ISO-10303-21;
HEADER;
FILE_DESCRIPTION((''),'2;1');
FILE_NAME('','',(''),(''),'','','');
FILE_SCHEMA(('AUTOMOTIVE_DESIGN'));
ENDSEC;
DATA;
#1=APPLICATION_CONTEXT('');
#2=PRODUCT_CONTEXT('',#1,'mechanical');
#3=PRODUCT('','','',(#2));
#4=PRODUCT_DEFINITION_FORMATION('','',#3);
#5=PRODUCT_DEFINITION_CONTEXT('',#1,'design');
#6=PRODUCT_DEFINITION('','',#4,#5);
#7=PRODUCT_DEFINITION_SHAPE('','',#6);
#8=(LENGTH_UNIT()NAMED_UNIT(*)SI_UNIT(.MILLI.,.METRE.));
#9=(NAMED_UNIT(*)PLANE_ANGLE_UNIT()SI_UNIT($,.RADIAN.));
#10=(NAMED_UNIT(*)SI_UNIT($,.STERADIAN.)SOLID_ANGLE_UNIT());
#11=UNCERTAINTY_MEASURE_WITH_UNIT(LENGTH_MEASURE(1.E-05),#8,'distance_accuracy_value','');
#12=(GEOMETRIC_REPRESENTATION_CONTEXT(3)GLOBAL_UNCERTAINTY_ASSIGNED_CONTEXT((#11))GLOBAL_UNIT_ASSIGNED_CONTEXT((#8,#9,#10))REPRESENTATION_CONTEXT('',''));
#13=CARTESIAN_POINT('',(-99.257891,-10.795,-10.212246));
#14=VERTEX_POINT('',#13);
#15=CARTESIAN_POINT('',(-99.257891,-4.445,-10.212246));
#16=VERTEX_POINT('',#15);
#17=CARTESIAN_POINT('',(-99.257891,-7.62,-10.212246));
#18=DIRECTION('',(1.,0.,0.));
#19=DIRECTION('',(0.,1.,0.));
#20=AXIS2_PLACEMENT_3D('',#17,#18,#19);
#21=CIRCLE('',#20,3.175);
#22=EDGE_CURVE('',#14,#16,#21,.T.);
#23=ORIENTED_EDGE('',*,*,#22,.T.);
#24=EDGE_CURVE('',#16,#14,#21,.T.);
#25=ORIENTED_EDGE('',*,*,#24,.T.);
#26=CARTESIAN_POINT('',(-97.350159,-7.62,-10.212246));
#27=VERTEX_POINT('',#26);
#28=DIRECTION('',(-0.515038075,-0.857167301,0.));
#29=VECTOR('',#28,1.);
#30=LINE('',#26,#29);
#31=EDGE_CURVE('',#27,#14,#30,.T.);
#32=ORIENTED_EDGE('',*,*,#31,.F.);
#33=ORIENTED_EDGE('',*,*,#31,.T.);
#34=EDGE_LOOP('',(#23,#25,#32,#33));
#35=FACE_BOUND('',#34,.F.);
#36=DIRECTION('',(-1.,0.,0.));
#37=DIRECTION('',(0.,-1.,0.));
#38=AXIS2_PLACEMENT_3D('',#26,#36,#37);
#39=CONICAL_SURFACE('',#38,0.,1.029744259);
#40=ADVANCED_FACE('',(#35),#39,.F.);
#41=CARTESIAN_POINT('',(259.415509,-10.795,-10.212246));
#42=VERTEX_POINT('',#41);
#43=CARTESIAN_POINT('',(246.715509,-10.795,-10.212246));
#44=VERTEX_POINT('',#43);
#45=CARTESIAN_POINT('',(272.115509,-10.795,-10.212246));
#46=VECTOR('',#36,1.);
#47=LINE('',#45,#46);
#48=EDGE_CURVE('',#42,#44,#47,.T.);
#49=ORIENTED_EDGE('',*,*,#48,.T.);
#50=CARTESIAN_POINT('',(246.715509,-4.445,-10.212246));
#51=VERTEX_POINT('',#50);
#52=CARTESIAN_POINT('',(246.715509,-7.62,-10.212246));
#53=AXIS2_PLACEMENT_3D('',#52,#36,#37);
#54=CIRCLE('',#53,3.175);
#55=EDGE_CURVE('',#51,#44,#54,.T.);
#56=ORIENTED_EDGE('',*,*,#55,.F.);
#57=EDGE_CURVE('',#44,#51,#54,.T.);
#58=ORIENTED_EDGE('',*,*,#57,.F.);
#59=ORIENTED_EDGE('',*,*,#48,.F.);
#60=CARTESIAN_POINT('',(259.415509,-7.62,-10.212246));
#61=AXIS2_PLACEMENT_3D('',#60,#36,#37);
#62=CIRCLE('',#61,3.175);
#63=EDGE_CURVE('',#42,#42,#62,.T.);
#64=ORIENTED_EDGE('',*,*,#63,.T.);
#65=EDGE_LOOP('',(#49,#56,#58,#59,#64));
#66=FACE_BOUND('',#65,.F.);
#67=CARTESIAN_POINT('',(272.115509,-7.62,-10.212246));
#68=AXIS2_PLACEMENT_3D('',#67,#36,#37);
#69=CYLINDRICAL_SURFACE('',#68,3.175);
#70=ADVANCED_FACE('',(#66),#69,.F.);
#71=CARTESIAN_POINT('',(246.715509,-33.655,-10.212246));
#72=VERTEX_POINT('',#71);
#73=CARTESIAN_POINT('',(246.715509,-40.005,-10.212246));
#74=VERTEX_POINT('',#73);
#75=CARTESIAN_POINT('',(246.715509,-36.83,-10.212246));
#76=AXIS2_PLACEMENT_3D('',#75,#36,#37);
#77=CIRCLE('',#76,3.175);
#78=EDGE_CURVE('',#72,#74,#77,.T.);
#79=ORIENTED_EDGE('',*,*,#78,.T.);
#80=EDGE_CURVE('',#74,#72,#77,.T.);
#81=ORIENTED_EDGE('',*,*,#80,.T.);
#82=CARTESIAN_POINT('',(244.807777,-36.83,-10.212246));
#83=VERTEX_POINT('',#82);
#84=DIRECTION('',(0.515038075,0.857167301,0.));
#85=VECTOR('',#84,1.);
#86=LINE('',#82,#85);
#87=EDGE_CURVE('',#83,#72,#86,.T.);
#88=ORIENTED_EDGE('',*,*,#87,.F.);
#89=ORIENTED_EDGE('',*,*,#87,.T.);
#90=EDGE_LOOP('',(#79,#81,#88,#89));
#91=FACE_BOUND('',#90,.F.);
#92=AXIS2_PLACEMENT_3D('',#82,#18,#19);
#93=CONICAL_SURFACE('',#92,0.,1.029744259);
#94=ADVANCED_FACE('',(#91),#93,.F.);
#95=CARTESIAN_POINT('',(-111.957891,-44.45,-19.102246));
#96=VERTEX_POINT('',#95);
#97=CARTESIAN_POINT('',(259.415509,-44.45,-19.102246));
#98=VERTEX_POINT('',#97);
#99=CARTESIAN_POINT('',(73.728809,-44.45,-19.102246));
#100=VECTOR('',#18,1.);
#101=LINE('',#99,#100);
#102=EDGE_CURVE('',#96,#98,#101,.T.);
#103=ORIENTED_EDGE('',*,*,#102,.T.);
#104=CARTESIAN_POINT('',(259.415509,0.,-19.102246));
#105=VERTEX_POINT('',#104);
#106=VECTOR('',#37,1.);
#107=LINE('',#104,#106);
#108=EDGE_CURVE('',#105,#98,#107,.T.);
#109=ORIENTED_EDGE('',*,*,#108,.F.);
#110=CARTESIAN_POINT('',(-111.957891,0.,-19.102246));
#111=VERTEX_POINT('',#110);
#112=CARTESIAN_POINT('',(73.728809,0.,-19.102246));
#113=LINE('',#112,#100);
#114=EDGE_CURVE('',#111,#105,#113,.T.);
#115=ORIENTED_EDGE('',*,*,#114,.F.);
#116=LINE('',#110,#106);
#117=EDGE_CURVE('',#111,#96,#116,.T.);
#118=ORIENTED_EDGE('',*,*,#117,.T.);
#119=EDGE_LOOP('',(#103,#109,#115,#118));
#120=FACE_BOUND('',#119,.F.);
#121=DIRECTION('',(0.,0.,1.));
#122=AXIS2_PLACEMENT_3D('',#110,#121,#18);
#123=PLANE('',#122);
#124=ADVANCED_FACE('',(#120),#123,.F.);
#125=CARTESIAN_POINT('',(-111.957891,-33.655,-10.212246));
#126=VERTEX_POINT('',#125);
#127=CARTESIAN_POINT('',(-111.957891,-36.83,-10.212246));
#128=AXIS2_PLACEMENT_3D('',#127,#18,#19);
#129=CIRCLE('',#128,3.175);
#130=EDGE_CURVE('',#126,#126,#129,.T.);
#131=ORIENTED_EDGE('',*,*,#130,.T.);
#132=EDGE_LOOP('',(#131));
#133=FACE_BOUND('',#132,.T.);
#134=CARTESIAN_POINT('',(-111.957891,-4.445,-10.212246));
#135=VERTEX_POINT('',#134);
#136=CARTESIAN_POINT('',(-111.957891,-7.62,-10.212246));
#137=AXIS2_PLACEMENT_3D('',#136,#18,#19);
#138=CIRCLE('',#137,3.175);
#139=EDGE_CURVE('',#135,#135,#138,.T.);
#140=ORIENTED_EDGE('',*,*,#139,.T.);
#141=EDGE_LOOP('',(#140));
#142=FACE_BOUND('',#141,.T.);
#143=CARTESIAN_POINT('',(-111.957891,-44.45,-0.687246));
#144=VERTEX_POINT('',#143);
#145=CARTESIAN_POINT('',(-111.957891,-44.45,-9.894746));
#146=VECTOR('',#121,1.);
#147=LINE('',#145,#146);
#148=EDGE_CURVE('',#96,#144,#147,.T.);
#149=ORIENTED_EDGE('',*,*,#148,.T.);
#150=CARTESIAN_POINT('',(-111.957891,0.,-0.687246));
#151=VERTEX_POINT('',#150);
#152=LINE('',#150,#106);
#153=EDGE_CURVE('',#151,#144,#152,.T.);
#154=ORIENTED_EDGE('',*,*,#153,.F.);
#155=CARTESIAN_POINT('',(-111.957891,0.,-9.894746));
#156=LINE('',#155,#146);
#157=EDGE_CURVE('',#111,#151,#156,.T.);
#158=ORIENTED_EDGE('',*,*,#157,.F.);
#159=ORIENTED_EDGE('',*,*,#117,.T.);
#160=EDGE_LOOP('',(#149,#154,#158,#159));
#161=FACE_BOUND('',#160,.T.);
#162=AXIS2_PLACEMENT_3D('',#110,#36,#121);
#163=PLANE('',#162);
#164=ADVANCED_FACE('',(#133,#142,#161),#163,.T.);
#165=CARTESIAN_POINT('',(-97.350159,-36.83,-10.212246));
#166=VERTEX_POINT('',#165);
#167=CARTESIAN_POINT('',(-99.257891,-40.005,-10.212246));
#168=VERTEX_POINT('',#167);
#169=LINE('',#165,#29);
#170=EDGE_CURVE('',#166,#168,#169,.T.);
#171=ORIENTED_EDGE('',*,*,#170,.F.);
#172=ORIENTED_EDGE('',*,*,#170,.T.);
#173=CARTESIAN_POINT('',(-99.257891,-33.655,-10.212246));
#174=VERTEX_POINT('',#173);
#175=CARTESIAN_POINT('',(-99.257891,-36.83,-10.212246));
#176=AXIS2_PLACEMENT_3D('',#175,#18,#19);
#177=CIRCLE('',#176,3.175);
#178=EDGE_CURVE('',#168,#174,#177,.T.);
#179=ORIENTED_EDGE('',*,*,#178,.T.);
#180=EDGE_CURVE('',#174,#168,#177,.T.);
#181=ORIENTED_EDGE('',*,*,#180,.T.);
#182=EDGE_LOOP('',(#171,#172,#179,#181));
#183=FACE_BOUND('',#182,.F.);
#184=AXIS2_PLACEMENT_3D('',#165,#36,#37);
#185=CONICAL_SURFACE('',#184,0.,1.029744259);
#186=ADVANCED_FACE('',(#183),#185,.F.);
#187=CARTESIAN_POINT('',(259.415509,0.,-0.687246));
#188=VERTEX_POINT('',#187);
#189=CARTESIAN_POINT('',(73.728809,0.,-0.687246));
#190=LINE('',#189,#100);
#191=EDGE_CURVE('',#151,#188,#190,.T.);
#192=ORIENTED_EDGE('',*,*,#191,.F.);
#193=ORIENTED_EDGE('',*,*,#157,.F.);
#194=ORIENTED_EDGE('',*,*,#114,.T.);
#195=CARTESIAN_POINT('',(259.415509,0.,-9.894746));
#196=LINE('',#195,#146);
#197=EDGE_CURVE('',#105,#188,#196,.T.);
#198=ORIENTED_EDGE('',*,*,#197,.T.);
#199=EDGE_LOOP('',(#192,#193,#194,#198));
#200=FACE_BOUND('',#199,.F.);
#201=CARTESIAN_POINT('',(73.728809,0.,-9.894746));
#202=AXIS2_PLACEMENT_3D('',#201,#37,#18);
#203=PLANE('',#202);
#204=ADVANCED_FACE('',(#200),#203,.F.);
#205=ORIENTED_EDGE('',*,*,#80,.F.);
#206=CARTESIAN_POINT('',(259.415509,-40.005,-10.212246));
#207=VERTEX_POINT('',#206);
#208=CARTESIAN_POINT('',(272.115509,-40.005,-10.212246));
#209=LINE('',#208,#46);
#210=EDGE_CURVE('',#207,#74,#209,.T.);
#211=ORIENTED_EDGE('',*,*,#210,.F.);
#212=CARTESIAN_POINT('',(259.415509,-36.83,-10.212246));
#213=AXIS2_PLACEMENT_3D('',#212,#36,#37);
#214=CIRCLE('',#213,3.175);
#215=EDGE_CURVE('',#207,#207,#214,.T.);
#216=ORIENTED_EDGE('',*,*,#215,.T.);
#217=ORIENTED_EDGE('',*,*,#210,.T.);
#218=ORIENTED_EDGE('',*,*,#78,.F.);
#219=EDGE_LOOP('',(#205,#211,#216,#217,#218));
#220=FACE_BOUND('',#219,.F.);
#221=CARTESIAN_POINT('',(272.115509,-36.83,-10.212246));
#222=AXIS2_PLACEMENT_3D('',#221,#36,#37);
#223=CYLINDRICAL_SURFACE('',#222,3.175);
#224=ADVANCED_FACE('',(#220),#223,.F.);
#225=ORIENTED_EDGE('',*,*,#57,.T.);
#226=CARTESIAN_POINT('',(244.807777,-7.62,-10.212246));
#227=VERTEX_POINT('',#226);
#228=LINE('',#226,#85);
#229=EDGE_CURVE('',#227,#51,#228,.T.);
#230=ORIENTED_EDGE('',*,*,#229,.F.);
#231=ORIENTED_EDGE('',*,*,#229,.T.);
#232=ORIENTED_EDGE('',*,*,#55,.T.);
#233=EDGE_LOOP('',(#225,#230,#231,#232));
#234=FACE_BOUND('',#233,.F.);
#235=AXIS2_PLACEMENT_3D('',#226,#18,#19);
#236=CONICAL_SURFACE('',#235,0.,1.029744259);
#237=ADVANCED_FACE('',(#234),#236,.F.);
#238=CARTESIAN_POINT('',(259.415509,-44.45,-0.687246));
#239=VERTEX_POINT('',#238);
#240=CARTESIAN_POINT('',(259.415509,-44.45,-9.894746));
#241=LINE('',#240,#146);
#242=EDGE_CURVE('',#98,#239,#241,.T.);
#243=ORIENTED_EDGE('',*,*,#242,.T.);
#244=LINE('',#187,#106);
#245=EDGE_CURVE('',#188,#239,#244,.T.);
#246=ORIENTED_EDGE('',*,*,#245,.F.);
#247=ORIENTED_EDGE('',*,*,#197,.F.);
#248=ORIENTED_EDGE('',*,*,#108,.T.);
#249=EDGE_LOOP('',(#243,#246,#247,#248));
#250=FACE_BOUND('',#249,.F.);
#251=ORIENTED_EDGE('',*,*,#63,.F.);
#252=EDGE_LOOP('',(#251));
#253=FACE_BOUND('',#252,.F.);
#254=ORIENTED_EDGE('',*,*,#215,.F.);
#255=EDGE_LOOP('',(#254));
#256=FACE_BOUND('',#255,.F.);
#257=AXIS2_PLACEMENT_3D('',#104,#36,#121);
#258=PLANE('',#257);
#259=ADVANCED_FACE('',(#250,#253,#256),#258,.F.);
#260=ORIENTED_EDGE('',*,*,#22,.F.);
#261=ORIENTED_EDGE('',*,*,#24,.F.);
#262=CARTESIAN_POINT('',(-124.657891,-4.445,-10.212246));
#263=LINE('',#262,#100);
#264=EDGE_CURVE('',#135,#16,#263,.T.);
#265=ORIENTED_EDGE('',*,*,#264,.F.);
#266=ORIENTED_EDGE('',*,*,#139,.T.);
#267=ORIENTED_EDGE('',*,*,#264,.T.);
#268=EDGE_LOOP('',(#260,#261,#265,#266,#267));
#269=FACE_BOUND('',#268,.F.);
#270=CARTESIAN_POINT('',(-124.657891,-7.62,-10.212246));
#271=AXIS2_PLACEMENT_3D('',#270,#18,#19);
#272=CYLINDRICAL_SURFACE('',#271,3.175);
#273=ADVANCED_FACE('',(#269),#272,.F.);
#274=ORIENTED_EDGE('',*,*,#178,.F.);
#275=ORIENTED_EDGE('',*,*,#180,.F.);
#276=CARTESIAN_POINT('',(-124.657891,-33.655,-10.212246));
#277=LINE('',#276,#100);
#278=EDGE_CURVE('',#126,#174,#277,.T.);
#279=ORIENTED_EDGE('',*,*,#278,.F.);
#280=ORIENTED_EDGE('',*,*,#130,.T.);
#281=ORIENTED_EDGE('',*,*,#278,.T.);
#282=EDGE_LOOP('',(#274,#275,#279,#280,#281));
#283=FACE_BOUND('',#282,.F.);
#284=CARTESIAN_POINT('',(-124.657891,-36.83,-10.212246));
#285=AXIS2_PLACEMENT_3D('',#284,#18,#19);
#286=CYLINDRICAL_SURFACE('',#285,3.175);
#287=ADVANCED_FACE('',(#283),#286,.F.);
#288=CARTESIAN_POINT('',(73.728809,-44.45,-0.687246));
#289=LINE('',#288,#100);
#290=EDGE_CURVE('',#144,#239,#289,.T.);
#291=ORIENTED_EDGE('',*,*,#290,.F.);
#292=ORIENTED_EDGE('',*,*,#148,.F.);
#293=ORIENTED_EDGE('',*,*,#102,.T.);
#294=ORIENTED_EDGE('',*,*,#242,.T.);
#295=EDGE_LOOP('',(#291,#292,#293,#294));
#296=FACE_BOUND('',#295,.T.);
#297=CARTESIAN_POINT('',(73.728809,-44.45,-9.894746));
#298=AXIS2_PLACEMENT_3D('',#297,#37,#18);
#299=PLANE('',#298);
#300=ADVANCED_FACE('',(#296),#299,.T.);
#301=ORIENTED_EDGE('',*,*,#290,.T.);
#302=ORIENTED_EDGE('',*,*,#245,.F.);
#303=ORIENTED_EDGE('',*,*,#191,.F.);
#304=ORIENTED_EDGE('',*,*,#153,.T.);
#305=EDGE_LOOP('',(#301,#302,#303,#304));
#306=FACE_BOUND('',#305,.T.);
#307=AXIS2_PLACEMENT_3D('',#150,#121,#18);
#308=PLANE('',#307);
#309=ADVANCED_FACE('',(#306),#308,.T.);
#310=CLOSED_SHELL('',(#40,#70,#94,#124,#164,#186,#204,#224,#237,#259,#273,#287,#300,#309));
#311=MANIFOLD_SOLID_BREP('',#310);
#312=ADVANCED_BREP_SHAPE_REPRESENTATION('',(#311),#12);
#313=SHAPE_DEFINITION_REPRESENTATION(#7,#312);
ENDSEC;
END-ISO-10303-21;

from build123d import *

# Parameters (mm, degrees)
F0_W           = 371.3734
F0_H           = 18.415
F1_DEPTH       = 44.45
F5_D           = 6.35
F5_DEPTH       = 12.7
F5_TIP         = 1.9077324654
F5_ON_F3_D     = 6.35
F5_ON_F3_DEPTH = 12.7
F5_ON_F3_TIP   = 1.9077324654
F5_ON_F2_D     = 6.35
F5_ON_F2_DEPTH = 12.7
F5_ON_F2_TIP   = 1.9077324654


with BuildPart() as f1:
    # F0 (on Front) → F1 (new body)
    with BuildSketch(Plane.XZ):
        with Locations((73.7288090025, -9.8947464747)):
            Rectangle(F0_W, F0_H)
    extrude(amount=F1_DEPTH)

    # F5
    with Locations(Plane(origin=(-111.9578909975, 0, 0), x_dir=(0, -1, 0), z_dir=(-1, 0, 0))):
        with Locations((7.62, -10.2122464747), (36.83, -10.2122464747)):
            Hole(F5_D / 2, depth=F5_DEPTH)
            with Locations((0, 0, -(F5_DEPTH + F5_TIP / 2))):  # 118° drill point
                Cone(0, F5_D / 2, F5_TIP, mode=Mode.SUBTRACT)

    # F5 on F3
    with Locations(Plane.YZ.offset(259.4155090025)):
        with Locations((-36.83, -10.2122464747)):
            Hole(F5_ON_F3_D / 2, depth=F5_ON_F3_DEPTH)
            with Locations((0, 0, -(F5_ON_F3_DEPTH + F5_ON_F3_TIP / 2))):  # 118° drill point
                Cone(0, F5_ON_F3_D / 2, F5_ON_F3_TIP, mode=Mode.SUBTRACT)

    # F5 on F2
    with Locations(Plane.YZ.offset(259.4155090025)):
        with Locations((-7.62, -10.2122464747)):
            Hole(F5_ON_F2_D / 2, depth=F5_ON_F2_DEPTH)
            with Locations((0, 0, -(F5_ON_F2_DEPTH + F5_ON_F2_TIP / 2))):  # 118° drill point
                Cone(0, F5_ON_F2_D / 2, F5_ON_F2_TIP, mode=Mode.SUBTRACT)


solid = f1.part
